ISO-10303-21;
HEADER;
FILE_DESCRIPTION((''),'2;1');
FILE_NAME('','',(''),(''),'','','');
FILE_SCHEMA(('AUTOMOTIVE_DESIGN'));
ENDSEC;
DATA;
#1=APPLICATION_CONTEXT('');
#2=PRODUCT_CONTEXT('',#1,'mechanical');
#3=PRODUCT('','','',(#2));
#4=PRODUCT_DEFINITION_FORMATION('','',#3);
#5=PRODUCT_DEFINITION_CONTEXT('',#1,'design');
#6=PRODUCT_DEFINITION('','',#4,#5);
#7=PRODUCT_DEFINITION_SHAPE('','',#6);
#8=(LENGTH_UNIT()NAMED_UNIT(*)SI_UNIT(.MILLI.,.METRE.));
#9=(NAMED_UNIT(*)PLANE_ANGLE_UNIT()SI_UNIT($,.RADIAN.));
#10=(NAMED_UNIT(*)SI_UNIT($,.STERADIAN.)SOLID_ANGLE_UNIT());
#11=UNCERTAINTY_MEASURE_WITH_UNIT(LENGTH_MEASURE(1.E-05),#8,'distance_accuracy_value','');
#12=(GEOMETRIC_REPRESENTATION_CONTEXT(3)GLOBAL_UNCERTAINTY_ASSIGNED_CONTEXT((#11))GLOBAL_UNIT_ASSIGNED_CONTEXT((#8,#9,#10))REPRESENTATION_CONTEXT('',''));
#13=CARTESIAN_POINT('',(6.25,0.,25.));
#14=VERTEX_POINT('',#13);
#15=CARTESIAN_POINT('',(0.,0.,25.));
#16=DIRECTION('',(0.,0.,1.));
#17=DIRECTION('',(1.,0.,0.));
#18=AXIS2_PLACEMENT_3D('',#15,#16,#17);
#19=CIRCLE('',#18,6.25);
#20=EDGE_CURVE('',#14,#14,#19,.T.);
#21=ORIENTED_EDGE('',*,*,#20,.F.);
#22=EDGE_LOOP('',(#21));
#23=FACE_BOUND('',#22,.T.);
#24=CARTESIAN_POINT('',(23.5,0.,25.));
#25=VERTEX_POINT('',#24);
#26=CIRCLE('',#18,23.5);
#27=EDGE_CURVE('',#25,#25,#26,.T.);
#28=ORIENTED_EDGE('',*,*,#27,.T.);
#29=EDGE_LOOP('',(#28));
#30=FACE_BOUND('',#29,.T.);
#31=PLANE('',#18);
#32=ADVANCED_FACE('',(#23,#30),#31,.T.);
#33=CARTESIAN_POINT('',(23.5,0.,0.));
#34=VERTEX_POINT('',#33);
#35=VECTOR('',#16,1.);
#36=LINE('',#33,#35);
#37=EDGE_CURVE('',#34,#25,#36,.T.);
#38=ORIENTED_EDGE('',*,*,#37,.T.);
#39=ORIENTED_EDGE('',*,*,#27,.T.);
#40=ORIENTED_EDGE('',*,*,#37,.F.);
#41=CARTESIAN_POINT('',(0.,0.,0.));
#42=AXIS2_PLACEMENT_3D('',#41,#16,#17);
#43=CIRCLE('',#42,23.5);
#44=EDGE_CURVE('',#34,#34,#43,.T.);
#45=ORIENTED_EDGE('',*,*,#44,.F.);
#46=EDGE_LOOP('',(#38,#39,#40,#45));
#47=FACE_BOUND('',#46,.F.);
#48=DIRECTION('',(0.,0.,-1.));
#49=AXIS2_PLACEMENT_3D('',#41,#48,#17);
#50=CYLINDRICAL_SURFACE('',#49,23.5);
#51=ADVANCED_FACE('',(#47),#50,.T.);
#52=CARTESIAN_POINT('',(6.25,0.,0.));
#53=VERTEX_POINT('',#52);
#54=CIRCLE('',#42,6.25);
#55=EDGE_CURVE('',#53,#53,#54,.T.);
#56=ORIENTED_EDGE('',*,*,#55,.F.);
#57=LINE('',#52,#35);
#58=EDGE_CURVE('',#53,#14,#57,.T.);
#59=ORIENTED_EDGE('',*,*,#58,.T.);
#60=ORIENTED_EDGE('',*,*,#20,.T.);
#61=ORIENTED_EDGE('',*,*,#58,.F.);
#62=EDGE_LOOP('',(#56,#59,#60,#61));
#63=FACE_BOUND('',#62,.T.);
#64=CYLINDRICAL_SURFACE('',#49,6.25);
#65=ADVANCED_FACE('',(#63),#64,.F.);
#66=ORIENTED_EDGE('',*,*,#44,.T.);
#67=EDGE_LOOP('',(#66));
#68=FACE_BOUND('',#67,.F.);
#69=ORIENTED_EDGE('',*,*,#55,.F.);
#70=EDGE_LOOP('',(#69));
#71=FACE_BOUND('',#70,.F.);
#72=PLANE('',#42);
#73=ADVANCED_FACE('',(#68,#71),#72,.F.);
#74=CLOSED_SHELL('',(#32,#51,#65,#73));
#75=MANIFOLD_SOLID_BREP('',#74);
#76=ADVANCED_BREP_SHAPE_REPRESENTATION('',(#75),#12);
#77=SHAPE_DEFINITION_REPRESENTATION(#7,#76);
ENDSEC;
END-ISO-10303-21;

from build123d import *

# Parameters (mm, degrees)
F0_R     = 23.5
F0_R_2   = 17.5
F0_R_3   = 6.25
F1_DEPTH = 25


with BuildPart() as f1:
    # F0 (on Top) → F1 (new body)
    with BuildSketch(Plane.XY):
        Circle(F0_R)
        Circle(F0_R_2, mode=Mode.SUBTRACT)
        Circle(F0_R_2)
        Circle(F0_R_3, mode=Mode.SUBTRACT)
    extrude(amount=F1_DEPTH)


solid = f1.part
